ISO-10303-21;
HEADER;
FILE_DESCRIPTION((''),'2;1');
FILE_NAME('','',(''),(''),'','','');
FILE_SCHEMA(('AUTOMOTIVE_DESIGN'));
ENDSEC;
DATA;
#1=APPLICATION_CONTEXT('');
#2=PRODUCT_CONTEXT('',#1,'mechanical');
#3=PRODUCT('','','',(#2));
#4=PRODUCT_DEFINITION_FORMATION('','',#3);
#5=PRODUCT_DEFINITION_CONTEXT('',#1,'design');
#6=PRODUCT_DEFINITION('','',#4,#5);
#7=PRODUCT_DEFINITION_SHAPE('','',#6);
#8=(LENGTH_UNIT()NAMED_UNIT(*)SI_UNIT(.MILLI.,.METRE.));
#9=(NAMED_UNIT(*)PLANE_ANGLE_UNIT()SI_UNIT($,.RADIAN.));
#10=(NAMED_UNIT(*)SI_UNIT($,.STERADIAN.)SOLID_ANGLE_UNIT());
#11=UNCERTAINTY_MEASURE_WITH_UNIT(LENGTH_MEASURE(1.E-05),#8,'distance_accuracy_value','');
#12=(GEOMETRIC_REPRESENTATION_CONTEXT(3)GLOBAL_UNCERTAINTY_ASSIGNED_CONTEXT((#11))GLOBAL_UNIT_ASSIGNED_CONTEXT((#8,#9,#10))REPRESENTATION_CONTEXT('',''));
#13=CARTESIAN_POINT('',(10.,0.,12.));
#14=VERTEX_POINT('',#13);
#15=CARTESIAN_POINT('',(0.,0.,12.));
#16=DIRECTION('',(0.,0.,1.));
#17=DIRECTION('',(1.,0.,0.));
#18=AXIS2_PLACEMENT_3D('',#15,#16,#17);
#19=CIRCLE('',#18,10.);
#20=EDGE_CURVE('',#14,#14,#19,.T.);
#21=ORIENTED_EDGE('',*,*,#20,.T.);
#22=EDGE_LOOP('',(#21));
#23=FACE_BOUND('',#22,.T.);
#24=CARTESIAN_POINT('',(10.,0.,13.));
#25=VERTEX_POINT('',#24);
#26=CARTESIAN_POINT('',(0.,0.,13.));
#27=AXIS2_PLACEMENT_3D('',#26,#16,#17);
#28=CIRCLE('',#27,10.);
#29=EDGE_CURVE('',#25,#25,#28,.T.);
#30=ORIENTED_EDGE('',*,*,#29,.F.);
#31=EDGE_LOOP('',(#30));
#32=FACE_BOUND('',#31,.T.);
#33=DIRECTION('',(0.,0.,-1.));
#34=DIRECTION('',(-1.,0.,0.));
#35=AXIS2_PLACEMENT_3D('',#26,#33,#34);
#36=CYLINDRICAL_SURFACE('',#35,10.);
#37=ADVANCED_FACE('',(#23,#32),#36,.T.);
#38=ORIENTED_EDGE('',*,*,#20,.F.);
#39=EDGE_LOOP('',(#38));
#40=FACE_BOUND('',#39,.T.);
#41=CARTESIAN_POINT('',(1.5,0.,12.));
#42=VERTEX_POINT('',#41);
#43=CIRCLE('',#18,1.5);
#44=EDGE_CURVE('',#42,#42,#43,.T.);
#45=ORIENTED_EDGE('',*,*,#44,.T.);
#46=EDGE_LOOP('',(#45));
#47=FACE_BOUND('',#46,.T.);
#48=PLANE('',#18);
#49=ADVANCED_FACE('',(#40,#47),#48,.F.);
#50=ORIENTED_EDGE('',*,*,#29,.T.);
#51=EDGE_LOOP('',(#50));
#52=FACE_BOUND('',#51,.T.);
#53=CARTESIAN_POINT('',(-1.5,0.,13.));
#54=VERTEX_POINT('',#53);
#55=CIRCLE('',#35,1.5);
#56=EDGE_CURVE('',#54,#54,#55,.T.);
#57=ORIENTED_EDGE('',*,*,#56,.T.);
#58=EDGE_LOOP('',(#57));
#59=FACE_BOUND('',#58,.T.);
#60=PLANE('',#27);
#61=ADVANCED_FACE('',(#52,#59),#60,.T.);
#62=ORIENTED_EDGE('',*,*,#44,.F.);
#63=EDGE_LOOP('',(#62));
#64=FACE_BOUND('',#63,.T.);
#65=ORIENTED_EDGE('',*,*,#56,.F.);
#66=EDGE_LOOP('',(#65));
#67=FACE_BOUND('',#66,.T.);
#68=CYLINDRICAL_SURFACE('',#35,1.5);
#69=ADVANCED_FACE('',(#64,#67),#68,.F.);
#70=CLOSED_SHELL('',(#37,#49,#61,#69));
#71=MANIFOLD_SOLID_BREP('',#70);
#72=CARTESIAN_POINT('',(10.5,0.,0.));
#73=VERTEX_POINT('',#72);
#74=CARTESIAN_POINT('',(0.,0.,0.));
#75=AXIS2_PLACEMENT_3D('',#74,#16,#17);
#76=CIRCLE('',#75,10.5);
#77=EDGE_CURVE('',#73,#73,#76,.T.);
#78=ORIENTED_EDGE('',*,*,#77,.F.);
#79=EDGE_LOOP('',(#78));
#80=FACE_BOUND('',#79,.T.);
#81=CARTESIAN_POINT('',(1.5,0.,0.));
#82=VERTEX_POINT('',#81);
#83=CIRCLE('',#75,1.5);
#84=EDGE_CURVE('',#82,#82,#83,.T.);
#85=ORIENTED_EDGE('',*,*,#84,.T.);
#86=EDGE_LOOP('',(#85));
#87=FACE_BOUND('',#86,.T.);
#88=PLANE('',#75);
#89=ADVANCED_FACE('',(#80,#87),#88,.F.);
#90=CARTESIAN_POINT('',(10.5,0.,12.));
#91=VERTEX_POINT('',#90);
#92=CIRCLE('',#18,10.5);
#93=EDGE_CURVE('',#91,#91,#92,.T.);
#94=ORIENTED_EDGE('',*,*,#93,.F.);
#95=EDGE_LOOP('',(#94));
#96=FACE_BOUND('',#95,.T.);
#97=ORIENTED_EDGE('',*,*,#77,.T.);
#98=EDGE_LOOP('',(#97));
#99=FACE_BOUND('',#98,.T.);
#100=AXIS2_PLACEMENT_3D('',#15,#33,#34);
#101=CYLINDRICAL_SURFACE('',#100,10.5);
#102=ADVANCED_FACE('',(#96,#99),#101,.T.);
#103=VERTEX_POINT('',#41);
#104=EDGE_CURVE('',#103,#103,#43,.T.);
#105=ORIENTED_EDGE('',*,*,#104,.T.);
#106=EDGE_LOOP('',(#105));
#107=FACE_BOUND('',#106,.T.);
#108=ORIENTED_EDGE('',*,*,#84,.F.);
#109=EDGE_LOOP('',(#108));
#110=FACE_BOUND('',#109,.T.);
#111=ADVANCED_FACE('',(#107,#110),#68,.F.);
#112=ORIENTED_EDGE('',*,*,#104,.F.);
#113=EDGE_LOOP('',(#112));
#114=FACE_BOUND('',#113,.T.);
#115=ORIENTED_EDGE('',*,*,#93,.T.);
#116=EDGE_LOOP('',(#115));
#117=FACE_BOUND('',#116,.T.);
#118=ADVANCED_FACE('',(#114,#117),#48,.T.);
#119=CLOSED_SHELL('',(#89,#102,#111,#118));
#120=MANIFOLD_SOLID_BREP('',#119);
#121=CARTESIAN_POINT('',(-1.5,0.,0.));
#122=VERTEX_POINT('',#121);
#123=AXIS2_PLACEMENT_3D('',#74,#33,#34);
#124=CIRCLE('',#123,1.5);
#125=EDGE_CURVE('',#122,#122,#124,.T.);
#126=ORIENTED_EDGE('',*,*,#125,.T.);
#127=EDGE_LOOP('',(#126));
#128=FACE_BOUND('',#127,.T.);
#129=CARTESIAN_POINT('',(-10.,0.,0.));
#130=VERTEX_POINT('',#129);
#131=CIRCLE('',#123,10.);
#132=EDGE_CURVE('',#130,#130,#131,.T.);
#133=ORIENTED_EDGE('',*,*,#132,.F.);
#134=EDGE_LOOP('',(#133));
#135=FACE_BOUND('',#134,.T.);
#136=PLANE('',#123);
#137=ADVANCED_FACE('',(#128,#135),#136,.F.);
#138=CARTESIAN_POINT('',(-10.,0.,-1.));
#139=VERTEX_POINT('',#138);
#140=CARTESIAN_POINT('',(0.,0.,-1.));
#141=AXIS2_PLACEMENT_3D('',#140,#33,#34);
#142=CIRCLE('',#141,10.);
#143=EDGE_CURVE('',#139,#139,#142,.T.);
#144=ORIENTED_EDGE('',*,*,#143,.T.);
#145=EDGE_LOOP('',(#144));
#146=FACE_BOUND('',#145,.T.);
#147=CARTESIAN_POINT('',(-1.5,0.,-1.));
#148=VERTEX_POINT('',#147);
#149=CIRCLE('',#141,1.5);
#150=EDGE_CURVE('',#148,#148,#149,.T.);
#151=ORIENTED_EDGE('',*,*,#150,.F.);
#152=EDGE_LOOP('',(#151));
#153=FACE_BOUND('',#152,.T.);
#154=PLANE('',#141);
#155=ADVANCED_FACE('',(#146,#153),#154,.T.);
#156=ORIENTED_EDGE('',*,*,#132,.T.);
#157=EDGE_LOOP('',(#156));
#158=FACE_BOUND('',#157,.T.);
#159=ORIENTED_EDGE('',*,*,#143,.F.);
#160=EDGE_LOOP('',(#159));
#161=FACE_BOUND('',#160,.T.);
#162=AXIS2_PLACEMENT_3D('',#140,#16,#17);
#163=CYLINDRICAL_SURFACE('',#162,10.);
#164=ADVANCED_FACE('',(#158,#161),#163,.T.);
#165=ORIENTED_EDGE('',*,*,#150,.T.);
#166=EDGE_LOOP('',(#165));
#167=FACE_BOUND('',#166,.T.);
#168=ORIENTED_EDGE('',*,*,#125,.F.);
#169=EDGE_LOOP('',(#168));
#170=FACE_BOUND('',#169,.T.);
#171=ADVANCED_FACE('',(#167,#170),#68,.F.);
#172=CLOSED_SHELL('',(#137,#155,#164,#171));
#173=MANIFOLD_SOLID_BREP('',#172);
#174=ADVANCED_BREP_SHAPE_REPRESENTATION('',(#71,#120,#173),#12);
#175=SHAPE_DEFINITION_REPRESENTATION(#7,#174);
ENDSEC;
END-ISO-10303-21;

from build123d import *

# Parameters (mm, degrees)
CROQUIS1_R              = 10.5
SALIENTE_EXTRUIR1_DEPTH = 12
CROQUIS2_R              = 10
SALIENTE_EXTRUIR2_DEPTH = 1
CROQUIS3_R              = 10
SALIENTE_EXTRUIR3_DEPTH = 1
CROQUIS4_R              = 1.5
CORTAR_EXTRUIR1_DEPTH   = 21.408331632


with BuildPart() as part:
    # Croquis1 → Saliente-Extruir1 (new body)
    with BuildSketch(Plane.XY):
        Circle(CROQUIS1_R)
    extrude(amount=SALIENTE_EXTRUIR1_DEPTH)


with BuildPart() as body_2:
    # Croquis2 → Saliente-Extruir2 (new body)
    with BuildSketch(Plane.XY.offset(12)):
        Circle(CROQUIS2_R)
    extrude(amount=SALIENTE_EXTRUIR2_DEPTH)


with BuildPart() as body_3:
    # Croquis3 → Saliente-Extruir3 (new body)
    with BuildSketch(Plane(origin=(0, 0, 0), x_dir=(-1, 0, 0), z_dir=(0, 0, -1))):
        Circle(CROQUIS3_R)
    extrude(amount=SALIENTE_EXTRUIR3_DEPTH)


with BuildPart() as cortar_extruir1_tool:
    # Croquis4 → Cortar-Extruir1 (new, through all)
    with BuildSketch(Plane(origin=(0, 0, -1), x_dir=(-1, 0, 0), z_dir=(0, 0, -1))):
        Circle(CROQUIS4_R)
    extrude(amount=-CORTAR_EXTRUIR1_DEPTH)


with BuildPart() as part_1:
    add(part.part)

    # Cortar-Extruir1: cut by cortar_extruir1_tool
    add(cortar_extruir1_tool.part, mode=Mode.SUBTRACT)


with BuildPart() as body_2_1:
    add(body_2.part)

    # Cortar-Extruir1: cut by cortar_extruir1_tool
    add(cortar_extruir1_tool.part, mode=Mode.SUBTRACT)


with BuildPart() as body_3_1:
    add(body_3.part)

    # Cortar-Extruir1: cut by cortar_extruir1_tool
    add(cortar_extruir1_tool.part, mode=Mode.SUBTRACT)


solid = Compound([part_1.part, body_2_1.part, body_3_1.part])
